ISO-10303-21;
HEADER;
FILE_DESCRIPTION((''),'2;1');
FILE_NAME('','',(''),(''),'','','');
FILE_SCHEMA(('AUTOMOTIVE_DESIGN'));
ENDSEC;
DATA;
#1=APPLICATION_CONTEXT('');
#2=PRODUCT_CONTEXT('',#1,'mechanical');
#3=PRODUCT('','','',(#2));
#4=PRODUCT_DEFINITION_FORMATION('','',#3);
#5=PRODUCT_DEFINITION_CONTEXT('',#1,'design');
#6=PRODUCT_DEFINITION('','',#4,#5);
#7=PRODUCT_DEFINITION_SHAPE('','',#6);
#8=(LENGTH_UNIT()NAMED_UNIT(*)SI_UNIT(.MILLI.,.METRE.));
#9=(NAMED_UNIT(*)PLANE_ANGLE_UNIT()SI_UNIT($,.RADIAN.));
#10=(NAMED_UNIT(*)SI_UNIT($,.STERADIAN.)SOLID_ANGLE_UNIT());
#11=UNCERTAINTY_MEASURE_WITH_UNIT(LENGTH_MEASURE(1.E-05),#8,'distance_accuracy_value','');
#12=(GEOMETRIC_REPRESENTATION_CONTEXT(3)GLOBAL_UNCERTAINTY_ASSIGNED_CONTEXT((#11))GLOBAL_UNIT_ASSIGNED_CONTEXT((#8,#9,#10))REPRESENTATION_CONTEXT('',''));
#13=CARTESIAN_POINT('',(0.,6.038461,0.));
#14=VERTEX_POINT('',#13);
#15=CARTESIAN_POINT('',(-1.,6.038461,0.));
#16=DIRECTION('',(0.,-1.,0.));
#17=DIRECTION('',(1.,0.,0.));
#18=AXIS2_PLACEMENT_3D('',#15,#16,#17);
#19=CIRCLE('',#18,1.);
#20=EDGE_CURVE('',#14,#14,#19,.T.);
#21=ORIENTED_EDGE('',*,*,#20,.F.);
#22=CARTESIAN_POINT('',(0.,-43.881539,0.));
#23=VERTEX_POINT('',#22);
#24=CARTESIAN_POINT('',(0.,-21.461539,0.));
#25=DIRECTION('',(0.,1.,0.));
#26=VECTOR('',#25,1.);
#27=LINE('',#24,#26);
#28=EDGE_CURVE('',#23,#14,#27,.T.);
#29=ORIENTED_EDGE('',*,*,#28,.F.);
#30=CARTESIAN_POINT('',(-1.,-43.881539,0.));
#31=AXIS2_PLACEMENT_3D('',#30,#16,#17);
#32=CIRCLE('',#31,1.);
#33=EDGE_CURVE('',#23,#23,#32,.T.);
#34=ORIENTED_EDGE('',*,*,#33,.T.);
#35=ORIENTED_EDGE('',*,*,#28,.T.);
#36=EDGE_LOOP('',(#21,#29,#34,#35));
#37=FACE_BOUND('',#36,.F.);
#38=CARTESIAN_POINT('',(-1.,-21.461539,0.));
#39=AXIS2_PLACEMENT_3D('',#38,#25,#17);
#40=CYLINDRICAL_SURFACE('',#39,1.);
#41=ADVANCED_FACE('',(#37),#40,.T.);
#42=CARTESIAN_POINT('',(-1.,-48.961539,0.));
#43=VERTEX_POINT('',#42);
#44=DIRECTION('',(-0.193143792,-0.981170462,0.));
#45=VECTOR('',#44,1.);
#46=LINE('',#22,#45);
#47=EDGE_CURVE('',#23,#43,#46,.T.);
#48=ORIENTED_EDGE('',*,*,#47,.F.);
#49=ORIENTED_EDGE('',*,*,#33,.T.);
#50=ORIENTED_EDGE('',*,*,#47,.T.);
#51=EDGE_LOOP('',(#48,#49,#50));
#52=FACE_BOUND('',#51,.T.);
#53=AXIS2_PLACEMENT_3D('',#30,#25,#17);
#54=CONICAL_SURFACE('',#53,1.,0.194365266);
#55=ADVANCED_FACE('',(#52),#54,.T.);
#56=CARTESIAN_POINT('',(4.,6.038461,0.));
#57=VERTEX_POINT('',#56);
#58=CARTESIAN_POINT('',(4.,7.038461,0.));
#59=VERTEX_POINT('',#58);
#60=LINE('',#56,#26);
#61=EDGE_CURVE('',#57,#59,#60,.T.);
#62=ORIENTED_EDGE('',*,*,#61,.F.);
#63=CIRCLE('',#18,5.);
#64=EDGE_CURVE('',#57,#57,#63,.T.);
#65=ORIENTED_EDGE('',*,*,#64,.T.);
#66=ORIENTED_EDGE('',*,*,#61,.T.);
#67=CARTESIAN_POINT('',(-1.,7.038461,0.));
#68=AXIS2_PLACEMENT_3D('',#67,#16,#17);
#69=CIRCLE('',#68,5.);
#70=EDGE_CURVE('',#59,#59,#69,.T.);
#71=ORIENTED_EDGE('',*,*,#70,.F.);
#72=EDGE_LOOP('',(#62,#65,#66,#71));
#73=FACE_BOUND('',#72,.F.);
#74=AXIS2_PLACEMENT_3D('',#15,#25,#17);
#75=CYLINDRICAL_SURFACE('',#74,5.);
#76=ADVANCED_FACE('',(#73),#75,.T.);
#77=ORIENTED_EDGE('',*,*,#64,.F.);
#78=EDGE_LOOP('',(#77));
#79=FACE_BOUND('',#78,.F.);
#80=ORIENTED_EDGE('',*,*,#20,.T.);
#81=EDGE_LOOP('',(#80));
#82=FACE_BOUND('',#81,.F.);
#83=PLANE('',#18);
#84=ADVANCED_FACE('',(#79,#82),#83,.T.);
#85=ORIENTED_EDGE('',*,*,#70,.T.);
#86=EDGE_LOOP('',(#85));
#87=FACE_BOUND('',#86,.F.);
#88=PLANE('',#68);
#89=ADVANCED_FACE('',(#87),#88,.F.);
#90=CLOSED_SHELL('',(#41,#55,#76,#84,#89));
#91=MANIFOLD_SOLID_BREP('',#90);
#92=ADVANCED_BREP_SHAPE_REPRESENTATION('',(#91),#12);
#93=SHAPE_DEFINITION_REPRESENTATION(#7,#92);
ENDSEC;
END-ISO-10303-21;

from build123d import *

# Parameters (mm, degrees)
F0_W     = 1
F0_H     = 55
F2_SIZE2 = 1
F2_SIZE  = 5.08


with BuildPart() as f1:
    # F0 (on Top) → F1 (revolve)
    with BuildSketch(Plane.XY):
        with Locations((-0.5, -21.4615388493)):
            Rectangle(F0_W, F0_H)
        Polygon((4, 7.0384611507), (-1, 7.0384611507), (-1, 6.0384611507), (0, 6.0384611507), (4, 6.0384611507), align=None)
    revolve(axis=Axis((-1, -21.4615388493, 0), (0, -1, 0)))

    # F2
    f2_edges = [f1.edges().sort_by_distance(p)[0] for p in [
        (-2, -48.961539, 0),
    ]]
    f2_side = f1.faces().sort_by_distance((-2, -21.461539, 0))[0]
    chamfer(f2_edges, length=F2_SIZE, length2=F2_SIZE2, reference=f2_side)


solid = f1.part
